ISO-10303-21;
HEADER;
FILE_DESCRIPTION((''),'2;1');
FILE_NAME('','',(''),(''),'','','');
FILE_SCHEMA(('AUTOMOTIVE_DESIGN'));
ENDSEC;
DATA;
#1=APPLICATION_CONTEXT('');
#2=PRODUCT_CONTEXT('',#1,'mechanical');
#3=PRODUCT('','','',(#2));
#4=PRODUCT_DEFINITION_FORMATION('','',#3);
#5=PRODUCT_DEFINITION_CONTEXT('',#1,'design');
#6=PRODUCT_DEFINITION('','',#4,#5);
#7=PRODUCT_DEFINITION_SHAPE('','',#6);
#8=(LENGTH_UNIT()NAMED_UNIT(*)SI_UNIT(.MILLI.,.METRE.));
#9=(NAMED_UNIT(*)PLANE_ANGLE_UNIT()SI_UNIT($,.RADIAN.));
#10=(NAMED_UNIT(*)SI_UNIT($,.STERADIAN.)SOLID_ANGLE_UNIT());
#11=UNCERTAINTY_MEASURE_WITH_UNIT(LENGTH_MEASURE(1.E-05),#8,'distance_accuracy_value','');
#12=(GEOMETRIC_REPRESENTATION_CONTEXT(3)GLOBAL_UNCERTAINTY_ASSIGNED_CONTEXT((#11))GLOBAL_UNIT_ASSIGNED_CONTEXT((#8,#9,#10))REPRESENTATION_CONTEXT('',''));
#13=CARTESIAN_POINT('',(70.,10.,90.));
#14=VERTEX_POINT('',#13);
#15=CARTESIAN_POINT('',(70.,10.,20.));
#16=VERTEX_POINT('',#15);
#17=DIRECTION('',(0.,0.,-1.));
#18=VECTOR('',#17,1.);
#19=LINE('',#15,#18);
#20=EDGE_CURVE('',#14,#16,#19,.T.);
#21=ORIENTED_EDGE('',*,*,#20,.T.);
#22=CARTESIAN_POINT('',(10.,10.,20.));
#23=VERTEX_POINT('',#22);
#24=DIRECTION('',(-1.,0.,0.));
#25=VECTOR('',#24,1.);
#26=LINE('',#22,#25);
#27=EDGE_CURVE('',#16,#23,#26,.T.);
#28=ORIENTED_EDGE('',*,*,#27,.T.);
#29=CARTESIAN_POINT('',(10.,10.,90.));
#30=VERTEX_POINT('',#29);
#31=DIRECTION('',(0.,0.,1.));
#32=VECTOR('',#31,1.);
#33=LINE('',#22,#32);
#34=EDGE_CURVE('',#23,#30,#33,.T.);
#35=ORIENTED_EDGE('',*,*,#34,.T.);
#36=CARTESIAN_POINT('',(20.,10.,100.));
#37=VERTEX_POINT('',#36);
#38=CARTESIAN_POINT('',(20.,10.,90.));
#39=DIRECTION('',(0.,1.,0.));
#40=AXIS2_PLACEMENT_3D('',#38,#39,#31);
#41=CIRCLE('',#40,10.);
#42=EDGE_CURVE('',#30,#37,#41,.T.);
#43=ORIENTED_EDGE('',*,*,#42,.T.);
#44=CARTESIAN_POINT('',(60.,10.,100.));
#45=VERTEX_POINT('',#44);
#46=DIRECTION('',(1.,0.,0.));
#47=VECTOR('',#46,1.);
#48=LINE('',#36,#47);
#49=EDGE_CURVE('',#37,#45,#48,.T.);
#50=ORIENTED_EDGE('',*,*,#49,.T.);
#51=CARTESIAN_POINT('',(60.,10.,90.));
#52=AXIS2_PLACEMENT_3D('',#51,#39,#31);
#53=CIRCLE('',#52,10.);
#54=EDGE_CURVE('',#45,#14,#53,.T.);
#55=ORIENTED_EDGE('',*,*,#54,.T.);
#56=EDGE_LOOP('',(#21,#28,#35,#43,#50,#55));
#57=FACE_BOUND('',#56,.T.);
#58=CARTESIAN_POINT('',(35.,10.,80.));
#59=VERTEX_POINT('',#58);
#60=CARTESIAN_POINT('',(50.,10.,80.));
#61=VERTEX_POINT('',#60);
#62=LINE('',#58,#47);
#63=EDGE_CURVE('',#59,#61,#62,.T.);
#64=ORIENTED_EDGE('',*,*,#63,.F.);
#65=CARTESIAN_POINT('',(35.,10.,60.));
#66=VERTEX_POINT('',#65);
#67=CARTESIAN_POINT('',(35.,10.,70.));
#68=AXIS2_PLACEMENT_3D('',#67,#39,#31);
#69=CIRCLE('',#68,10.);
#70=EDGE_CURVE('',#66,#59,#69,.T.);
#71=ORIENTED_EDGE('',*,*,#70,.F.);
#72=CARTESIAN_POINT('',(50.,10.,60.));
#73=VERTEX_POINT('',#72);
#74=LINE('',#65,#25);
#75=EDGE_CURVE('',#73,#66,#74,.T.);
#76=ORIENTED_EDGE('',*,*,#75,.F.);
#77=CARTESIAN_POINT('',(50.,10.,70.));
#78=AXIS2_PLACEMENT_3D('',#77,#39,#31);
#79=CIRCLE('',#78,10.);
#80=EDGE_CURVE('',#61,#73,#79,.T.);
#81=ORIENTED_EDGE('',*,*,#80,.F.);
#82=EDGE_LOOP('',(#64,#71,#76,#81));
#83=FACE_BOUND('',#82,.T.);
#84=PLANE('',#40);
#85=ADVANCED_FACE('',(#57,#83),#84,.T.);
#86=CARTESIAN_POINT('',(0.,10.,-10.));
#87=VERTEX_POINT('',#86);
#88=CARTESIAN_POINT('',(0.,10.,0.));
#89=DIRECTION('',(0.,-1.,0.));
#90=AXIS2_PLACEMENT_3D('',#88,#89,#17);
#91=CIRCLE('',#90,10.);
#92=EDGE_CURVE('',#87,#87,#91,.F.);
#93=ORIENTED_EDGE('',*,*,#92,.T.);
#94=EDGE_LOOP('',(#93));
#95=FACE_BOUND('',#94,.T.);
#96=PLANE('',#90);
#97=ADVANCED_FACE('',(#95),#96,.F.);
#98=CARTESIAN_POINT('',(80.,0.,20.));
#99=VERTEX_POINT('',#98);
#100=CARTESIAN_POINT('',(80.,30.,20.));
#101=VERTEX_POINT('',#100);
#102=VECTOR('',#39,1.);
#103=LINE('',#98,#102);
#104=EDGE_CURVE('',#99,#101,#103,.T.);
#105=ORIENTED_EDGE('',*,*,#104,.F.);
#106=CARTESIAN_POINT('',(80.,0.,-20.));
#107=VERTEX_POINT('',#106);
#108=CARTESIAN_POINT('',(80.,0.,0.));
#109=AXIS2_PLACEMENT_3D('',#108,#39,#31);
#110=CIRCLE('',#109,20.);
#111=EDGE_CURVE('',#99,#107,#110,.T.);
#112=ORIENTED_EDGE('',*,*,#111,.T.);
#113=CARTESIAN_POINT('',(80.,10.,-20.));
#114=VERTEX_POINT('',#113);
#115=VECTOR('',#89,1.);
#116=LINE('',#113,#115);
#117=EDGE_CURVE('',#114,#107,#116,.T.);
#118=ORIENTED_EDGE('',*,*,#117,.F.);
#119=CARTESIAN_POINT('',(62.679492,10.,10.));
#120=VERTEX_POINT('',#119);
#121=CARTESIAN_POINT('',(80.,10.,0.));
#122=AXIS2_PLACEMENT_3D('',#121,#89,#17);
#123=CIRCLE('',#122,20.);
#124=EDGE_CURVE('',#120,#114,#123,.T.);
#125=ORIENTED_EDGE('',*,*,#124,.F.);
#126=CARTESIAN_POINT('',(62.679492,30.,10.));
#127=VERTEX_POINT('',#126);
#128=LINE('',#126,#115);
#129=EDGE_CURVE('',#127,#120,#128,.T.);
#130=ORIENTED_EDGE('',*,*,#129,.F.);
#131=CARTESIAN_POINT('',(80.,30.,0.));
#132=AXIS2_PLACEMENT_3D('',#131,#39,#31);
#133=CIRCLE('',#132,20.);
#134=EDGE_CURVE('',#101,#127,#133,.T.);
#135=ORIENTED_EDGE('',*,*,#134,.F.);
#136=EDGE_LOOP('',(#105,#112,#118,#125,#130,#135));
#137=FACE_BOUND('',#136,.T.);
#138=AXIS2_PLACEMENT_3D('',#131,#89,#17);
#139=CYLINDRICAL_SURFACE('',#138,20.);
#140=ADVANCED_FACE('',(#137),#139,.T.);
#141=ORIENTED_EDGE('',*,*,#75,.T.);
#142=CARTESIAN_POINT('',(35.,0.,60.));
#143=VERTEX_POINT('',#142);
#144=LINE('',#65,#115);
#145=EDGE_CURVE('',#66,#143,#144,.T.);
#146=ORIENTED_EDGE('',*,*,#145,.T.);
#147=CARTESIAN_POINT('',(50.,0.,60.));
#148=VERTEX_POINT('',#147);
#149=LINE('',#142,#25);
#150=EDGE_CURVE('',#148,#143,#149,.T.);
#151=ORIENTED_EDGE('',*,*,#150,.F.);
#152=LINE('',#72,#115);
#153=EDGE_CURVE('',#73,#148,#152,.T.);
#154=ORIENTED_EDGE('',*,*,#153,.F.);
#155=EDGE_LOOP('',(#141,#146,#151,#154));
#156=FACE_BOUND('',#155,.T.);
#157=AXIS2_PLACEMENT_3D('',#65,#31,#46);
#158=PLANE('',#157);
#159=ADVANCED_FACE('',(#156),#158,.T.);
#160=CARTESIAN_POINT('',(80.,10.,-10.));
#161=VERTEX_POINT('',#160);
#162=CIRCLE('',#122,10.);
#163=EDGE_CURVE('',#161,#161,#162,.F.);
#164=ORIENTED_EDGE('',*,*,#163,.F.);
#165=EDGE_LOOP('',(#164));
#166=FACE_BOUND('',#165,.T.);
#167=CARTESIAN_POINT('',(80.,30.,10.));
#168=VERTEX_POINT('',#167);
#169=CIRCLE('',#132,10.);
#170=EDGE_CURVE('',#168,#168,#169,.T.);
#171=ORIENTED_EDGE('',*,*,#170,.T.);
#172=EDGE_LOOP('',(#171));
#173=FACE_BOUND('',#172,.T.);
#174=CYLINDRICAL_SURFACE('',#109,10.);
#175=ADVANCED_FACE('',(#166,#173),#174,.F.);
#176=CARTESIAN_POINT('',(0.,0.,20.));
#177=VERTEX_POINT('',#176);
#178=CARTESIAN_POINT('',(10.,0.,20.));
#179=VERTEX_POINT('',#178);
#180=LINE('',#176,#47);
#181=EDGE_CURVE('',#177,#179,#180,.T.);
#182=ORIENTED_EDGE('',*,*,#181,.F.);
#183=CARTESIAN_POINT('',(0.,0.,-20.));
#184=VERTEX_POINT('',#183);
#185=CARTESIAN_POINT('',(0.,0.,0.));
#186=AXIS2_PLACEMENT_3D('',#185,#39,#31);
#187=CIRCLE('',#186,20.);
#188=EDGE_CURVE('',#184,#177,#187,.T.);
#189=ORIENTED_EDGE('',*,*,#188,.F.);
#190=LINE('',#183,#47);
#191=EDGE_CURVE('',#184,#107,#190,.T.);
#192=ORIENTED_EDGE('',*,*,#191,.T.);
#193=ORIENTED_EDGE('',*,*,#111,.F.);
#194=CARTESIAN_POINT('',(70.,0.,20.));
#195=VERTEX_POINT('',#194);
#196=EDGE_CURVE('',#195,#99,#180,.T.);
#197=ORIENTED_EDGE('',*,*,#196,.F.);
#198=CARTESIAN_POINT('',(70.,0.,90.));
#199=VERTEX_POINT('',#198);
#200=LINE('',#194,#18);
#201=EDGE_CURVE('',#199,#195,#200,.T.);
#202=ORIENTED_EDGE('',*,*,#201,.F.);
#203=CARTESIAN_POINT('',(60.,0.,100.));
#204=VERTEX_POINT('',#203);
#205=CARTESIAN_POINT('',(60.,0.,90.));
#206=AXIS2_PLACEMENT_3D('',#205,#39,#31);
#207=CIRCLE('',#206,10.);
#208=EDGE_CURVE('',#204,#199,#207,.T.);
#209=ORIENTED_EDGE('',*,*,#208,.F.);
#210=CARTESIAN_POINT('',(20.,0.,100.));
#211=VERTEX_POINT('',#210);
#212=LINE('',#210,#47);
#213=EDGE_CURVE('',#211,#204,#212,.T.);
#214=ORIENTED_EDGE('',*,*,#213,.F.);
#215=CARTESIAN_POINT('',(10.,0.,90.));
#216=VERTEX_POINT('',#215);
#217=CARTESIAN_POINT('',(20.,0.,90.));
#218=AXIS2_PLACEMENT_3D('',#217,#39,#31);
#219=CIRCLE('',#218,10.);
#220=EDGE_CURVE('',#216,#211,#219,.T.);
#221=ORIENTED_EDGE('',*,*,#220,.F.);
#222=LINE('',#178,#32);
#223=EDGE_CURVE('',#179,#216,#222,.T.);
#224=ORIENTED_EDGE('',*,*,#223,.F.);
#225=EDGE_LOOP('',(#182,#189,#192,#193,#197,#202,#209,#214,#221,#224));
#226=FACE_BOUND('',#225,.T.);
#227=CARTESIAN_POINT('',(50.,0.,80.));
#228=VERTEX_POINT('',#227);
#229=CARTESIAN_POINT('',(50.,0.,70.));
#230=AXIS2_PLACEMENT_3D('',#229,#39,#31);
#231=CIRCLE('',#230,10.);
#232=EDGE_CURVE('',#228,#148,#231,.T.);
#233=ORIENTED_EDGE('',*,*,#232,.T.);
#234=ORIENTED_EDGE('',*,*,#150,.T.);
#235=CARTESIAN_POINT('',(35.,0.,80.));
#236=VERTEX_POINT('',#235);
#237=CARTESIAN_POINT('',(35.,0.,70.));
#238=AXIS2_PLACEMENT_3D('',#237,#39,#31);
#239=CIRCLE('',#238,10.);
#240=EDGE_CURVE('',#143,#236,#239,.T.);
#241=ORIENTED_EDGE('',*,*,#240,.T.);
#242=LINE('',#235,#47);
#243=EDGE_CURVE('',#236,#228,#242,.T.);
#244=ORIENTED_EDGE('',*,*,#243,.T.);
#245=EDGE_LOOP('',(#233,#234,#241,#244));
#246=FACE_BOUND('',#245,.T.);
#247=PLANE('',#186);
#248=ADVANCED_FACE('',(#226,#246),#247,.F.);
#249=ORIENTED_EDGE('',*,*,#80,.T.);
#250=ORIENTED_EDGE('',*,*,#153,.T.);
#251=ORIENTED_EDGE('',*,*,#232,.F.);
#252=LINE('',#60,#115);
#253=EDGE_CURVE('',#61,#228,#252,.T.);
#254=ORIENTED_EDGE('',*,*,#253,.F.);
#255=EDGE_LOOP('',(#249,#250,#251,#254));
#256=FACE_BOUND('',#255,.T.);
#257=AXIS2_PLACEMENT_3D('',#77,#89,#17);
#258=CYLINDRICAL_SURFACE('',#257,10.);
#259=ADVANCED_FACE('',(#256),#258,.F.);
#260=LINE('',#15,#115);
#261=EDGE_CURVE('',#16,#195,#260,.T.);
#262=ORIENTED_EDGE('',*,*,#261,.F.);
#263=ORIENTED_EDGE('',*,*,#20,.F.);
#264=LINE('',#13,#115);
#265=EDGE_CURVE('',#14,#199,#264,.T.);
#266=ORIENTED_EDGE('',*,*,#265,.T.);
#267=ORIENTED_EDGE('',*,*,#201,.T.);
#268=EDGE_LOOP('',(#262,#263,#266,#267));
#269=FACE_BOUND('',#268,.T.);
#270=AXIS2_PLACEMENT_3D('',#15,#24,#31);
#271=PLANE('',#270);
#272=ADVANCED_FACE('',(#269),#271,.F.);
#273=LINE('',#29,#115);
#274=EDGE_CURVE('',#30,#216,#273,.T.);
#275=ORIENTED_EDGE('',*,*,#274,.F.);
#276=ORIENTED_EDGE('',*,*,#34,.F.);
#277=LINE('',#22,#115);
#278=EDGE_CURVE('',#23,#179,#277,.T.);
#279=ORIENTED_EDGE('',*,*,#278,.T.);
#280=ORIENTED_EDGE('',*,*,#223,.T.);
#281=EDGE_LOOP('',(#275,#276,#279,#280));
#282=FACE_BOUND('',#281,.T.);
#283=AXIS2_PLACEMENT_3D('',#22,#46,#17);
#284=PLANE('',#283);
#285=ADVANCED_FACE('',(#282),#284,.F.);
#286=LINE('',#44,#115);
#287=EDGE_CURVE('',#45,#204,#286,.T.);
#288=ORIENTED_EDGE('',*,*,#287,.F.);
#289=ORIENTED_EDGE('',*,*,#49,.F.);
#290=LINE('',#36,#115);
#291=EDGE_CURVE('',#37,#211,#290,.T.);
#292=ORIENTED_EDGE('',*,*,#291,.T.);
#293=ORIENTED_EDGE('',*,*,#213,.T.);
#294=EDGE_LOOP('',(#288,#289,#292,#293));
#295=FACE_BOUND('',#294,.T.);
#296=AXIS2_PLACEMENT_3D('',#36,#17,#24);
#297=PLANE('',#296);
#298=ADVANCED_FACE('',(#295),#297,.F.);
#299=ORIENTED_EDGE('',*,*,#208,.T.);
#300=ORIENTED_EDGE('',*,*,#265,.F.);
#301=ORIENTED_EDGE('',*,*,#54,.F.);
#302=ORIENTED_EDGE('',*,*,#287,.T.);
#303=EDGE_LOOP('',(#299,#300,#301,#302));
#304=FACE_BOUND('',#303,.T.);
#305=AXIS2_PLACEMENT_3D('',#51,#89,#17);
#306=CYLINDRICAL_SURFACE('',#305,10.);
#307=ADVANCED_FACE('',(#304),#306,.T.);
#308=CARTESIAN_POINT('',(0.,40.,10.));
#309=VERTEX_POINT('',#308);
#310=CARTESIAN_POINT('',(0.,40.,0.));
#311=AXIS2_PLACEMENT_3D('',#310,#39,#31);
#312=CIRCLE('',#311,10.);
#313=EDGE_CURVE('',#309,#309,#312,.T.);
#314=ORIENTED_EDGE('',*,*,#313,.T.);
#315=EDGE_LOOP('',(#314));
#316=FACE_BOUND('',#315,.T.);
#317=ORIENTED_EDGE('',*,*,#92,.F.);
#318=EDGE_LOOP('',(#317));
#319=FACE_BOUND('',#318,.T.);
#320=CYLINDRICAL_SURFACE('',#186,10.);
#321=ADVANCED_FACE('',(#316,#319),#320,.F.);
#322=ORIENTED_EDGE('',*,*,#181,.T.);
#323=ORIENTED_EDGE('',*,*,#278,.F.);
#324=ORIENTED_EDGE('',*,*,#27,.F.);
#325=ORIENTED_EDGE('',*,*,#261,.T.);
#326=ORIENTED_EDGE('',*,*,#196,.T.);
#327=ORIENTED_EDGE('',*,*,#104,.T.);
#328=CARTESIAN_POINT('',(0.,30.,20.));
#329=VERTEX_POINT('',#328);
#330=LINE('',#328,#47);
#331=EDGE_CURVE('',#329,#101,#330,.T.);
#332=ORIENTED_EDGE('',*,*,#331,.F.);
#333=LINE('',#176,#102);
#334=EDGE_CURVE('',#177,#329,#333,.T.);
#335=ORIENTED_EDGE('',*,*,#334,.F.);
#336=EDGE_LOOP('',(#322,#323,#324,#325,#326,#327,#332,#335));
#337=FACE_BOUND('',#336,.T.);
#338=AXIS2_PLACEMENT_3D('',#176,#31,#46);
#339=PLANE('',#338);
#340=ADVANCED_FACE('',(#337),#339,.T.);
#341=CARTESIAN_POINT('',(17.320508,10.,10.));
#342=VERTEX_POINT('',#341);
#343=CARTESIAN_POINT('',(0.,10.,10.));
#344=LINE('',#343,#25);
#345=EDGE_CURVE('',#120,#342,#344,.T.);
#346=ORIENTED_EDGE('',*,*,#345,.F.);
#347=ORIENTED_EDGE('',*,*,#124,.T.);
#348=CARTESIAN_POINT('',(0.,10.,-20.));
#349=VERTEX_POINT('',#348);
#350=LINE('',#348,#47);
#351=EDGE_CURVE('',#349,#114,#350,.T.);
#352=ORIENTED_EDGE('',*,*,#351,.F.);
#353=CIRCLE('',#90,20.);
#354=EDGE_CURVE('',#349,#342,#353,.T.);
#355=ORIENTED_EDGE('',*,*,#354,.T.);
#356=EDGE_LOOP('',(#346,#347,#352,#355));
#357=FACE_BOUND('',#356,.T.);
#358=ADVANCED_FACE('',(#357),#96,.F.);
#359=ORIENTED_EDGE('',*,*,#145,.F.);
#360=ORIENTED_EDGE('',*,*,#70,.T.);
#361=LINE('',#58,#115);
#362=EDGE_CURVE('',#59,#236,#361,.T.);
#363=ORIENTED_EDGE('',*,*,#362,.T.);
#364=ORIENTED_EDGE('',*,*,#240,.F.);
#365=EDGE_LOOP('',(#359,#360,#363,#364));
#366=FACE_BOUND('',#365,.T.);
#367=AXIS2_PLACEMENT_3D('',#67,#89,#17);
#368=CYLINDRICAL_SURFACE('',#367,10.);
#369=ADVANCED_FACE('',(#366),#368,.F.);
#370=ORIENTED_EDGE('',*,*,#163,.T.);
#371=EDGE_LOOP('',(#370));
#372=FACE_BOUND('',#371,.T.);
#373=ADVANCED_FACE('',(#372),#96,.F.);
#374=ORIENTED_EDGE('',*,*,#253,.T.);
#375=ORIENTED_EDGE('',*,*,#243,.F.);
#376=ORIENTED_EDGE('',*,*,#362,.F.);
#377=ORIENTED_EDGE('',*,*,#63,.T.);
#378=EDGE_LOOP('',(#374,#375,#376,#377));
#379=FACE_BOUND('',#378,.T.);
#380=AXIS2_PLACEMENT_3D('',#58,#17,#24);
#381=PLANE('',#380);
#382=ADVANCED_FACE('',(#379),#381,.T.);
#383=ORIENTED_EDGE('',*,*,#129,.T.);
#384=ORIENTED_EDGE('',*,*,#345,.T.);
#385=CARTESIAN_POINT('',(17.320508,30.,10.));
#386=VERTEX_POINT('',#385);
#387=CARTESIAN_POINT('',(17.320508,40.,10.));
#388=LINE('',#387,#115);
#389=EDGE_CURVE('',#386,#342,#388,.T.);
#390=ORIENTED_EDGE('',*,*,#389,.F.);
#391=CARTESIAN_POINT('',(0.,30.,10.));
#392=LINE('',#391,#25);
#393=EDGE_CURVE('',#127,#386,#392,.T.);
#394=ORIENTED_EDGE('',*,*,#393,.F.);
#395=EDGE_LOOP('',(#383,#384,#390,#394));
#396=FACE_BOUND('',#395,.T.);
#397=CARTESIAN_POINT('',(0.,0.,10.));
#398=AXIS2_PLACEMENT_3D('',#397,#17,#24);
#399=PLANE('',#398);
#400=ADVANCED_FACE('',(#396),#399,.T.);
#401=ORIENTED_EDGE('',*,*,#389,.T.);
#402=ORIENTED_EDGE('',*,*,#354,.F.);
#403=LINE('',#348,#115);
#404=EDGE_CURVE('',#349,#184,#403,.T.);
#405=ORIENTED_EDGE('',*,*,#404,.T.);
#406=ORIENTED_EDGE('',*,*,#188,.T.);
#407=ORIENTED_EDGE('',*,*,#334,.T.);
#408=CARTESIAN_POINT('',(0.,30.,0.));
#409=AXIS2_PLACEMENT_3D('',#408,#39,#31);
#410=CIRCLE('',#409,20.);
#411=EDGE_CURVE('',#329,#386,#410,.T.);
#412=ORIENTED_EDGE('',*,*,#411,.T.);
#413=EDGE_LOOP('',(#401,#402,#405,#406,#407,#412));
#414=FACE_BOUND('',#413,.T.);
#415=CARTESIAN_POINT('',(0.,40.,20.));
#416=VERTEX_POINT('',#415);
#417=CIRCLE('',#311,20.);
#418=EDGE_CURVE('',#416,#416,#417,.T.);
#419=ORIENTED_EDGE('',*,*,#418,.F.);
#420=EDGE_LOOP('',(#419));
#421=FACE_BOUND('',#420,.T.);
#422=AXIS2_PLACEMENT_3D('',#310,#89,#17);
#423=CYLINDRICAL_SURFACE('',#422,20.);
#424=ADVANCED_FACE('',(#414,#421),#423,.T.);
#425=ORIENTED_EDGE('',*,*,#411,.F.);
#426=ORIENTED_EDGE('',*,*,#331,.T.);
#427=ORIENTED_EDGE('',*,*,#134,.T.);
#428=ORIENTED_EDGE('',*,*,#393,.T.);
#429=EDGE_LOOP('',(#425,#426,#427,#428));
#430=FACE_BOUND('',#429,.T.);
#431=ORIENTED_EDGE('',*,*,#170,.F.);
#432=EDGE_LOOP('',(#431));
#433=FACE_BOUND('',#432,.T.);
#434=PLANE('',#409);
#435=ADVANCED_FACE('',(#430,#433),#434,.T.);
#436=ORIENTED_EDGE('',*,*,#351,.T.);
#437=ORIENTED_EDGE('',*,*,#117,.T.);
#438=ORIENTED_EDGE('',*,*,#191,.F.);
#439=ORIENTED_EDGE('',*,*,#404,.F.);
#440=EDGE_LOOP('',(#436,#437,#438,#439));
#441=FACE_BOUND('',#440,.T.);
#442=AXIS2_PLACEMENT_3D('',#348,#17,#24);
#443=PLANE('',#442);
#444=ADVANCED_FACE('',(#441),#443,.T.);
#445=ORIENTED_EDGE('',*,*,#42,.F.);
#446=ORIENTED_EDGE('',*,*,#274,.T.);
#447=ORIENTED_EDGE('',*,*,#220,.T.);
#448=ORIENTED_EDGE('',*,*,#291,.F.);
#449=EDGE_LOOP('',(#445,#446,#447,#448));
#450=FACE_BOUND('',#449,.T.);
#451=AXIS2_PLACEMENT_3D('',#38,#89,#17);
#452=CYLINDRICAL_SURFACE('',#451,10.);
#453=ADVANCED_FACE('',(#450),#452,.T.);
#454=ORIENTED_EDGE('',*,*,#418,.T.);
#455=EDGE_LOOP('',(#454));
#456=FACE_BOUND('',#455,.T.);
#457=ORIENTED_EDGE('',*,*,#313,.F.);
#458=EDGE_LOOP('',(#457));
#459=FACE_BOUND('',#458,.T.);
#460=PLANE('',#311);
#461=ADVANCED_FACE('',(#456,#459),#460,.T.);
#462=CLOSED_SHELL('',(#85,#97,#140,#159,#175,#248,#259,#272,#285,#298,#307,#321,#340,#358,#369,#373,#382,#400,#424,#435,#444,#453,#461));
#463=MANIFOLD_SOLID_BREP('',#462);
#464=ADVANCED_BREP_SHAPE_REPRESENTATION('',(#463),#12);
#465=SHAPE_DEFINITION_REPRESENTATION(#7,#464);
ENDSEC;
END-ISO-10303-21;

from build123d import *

# Parameters (mm, degrees)
SKETCH1_R           = 20
BOSS_EXTRUDE1_DEPTH = 40
SKETCH2_R           = 10
CUT_EXTRUDE1_DEPTH  = 49.989794856
SKETCH3_R           = 20
BOSS_EXTRUDE2_DEPTH = 30
SKETCH4_R           = 10
CUT_EXTRUDE2_DEPTH  = 107.301458127
SKETCH5_W           = 80
SKETCH5_H           = 10
BOSS_EXTRUDE3_DEPTH = 30
BOSS_EXTRUDE4_DEPTH = 10
BOSS_EXTRUDE5_DEPTH = 10


with BuildPart() as part:
    # Sketch1 → Boss-Extrude1 (new body)
    with BuildSketch(Plane(origin=(0, 0, 0), x_dir=(1, 0, 0), z_dir=(0, 1, 0))):
        with Locations(Location((0, 0, 0), (0, 0, 270))):
            Circle(SKETCH1_R)
    extrude(amount=BOSS_EXTRUDE1_DEPTH)

    # Sketch2 → Cut-Extrude1 (cut, through all)
    with BuildSketch(Plane(origin=(0, 40, 0), x_dir=(1, 0, 0), z_dir=(0, 1, 0))):
        with Locations(Location((0, 0, 0), (0, 0, 270))):
            Circle(SKETCH2_R)
    extrude(amount=-CUT_EXTRUDE1_DEPTH, mode=Mode.SUBTRACT)



with BuildPart() as body_2:
    # Sketch3 → Boss-Extrude2 (new body)
    with BuildSketch(Plane(origin=(0, 0, 0), x_dir=(1, 0, 0), z_dir=(0, 1, 0))):
        with Locations(Location((80, 0, 0), (0, 0, 270))):
            Circle(SKETCH3_R)
    extrude(amount=BOSS_EXTRUDE2_DEPTH)

    # Sketch4 → Cut-Extrude2 (cut, through all)
    with BuildSketch(Plane(origin=(0, 30, 0), x_dir=(1, 0, 0), z_dir=(0, 1, 0))):
        with Locations(Location((80, 0, 0), (0, 0, 270))):
            Circle(SKETCH4_R)
    extrude(amount=-CUT_EXTRUDE2_DEPTH, mode=Mode.SUBTRACT)


with BuildPart() as part_1:
    add(part.part)

    add(body_2.part)  # Boss-Extrude3 merges body 2
    # Sketch5 → Boss-Extrude3 (add)
    with BuildSketch(Plane(origin=(0, 30, 0), x_dir=(1, 0, 0), z_dir=(0, 1, 0))):
        with Locations((40, -15)):
            Rectangle(SKETCH5_W, SKETCH5_H)
    extrude(amount=-BOSS_EXTRUDE3_DEPTH)

    # Sketch6 → Boss-Extrude4 (add)
    with BuildSketch(Plane.XZ):
        with BuildLine():
            Line((0, 20), (80, 20))
            ThreePointArc((80, 20), (100, 0), (80, -20))
            Line((80, -20), (0, -20))
            ThreePointArc((0, -20), (-20, 0), (0, 20))
        make_face()
    extrude(amount=-BOSS_EXTRUDE4_DEPTH)

    # Sketch7 → Boss-Extrude5 (add)
    with BuildSketch(Plane(origin=(0, 0, 0), x_dir=(1, 0, 0), z_dir=(0, 1, 0))):
        with BuildLine():
            Line((10, -20), (70, -20))
            Line((70, -20), (70, -90))
            ThreePointArc((70, -90), (67.071067812, -97.071067812), (60, -100))
            Line((60, -100), (20, -100))
            ThreePointArc((20, -100), (12.928932188, -97.071067812), (10, -90))
            Line((10, -90), (10, -20))
        make_face()
        with BuildLine():
            Line((35, -60), (50, -60))
            ThreePointArc((50, -60), (60, -70), (50, -80))
            Line((50, -80), (35, -80))
            ThreePointArc((35, -80), (25, -70), (35, -60))
        make_face(mode=Mode.SUBTRACT)
    extrude(amount=BOSS_EXTRUDE5_DEPTH)


solid = part_1.part
